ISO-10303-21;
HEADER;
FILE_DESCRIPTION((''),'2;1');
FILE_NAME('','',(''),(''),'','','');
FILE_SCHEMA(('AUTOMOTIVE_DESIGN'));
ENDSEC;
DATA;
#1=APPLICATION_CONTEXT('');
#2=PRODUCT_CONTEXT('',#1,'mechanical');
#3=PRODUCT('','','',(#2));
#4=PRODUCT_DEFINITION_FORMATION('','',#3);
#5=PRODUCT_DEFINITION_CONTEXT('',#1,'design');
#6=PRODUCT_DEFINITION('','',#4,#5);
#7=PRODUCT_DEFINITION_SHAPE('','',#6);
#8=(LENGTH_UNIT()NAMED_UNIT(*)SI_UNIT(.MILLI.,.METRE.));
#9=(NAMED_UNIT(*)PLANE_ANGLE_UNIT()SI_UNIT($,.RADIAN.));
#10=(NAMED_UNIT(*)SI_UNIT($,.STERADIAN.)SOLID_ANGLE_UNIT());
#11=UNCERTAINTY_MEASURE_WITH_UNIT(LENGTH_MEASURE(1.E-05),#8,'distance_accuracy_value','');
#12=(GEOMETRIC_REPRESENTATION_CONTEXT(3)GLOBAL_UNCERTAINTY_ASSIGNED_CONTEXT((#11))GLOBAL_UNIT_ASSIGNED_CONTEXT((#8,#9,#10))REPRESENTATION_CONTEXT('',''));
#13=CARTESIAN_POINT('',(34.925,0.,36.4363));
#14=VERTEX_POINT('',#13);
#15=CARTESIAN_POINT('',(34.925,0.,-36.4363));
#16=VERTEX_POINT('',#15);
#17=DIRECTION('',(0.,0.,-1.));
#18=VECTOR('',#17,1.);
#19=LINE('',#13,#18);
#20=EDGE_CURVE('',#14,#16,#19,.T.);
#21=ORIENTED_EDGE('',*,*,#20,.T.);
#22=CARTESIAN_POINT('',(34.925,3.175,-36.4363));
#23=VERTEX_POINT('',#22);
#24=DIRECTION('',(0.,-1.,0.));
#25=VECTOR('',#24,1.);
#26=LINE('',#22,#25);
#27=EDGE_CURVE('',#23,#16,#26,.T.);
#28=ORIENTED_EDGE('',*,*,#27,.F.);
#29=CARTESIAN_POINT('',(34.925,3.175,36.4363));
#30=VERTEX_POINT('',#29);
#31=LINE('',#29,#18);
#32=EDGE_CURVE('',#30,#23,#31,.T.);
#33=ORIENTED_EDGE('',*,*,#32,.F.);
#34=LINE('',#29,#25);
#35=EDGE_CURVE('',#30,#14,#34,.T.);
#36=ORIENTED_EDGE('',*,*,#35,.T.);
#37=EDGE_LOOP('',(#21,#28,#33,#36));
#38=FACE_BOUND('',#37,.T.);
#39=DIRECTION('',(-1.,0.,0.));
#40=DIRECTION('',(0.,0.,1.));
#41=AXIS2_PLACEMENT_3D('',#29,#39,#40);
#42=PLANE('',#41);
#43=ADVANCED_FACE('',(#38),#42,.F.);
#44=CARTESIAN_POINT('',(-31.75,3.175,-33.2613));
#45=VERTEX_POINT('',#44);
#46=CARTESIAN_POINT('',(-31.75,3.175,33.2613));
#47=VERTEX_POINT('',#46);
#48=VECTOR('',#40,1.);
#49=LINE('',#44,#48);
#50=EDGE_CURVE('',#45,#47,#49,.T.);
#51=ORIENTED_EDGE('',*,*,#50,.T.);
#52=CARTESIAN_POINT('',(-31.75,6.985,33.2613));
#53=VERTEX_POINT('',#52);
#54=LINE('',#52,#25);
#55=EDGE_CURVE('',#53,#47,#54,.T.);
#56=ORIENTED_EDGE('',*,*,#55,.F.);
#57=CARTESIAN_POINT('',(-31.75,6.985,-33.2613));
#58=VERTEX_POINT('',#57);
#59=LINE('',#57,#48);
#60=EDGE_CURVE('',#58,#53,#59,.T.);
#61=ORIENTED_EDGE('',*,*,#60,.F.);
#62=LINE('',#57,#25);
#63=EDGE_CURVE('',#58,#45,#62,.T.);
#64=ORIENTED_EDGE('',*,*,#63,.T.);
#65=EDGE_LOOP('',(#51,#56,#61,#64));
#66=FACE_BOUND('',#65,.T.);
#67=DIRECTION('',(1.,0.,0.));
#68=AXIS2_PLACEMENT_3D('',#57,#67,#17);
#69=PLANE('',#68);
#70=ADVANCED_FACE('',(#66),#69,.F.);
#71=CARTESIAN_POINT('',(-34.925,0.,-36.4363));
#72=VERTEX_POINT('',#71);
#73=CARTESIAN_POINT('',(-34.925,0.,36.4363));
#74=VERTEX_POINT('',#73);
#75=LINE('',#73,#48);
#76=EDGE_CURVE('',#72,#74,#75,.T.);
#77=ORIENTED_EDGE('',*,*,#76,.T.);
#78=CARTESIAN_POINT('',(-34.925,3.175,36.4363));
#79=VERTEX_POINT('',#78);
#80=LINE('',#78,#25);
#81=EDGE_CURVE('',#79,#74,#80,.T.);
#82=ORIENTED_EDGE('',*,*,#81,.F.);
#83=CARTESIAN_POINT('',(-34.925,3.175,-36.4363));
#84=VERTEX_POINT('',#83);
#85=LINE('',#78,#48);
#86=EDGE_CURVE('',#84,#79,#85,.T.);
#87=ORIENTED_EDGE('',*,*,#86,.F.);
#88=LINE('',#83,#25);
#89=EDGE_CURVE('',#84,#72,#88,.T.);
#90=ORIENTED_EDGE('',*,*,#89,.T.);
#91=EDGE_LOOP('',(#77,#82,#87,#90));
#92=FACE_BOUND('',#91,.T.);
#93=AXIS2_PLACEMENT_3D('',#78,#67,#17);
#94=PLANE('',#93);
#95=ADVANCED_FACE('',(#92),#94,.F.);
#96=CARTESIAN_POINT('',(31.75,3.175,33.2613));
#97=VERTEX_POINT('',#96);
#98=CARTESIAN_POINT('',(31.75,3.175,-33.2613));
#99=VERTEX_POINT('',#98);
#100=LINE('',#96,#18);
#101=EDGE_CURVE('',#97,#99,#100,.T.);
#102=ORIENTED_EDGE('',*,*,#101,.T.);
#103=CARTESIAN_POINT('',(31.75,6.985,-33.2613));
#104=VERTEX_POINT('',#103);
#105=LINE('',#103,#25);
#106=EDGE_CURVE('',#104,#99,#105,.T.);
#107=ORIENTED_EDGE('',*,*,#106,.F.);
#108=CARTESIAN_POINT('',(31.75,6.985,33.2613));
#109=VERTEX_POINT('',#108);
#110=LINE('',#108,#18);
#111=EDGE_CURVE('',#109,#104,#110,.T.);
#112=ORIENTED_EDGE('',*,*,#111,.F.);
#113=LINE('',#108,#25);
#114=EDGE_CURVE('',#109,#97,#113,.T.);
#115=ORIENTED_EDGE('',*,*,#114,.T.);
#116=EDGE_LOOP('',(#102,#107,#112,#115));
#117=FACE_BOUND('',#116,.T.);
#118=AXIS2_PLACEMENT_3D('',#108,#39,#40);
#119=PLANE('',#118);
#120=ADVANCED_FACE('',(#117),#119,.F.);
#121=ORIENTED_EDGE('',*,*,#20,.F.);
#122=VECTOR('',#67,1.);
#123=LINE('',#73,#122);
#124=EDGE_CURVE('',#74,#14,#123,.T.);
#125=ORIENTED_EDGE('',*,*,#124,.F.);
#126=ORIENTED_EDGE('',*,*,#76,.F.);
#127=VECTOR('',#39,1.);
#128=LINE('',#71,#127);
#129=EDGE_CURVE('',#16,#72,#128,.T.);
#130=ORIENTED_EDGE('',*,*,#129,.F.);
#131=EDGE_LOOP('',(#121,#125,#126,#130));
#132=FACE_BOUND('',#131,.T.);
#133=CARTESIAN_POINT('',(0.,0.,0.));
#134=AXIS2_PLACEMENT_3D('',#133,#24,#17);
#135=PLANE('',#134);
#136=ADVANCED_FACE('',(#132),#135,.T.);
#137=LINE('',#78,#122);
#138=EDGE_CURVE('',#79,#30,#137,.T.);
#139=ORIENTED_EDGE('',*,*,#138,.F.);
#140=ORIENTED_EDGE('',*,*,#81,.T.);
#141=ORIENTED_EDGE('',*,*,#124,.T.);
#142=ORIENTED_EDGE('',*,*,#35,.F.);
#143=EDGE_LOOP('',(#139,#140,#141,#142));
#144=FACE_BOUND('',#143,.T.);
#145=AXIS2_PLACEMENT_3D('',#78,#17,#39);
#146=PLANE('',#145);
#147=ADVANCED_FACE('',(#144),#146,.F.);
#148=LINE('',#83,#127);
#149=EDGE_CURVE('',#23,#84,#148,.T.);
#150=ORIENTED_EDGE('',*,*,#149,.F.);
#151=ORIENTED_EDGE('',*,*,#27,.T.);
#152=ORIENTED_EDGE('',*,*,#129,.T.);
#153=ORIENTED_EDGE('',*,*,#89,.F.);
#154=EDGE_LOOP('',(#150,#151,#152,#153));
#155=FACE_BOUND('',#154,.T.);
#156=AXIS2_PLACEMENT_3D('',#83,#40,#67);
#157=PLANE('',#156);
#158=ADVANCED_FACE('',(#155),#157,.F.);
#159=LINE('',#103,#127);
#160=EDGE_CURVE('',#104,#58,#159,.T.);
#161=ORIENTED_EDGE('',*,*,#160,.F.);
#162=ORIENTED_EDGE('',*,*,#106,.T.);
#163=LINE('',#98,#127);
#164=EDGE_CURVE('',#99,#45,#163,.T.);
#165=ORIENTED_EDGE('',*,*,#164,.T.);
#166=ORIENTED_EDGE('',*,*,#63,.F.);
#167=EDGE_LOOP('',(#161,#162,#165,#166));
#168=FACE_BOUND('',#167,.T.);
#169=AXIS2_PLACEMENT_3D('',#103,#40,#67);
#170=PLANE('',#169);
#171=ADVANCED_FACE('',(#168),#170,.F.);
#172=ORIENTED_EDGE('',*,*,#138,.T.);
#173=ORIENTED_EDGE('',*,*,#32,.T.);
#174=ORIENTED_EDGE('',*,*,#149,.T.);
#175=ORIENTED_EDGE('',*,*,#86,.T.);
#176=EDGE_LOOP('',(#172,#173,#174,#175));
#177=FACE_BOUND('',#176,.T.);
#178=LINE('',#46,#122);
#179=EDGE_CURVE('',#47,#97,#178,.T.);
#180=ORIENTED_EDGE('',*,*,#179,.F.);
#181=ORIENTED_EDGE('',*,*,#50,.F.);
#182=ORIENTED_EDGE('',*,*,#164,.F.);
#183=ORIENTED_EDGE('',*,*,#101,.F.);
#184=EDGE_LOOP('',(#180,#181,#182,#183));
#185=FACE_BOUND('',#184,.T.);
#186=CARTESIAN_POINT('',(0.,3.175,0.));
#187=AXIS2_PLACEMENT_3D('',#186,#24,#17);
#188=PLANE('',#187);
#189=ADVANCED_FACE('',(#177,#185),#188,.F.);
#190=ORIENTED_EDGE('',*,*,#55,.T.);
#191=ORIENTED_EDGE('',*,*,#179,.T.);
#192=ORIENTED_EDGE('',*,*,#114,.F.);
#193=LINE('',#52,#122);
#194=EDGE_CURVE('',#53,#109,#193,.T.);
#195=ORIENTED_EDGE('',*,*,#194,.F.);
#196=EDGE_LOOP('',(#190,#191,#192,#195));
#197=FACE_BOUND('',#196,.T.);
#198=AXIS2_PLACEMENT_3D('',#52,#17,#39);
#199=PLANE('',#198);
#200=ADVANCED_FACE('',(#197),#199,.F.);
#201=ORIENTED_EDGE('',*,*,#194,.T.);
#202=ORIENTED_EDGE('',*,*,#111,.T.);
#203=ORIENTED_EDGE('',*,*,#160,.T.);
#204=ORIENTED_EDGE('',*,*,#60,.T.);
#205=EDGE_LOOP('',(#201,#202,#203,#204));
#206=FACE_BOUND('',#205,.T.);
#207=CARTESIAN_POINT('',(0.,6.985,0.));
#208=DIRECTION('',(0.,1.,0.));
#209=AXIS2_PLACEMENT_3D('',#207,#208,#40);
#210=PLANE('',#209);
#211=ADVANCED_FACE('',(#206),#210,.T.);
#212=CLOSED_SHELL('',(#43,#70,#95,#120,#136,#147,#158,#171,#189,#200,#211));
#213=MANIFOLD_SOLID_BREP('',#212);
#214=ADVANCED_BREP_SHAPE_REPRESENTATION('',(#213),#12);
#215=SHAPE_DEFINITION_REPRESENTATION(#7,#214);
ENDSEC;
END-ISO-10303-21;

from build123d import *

# Parameters (mm, degrees)
SKETCH1_W           = 69.85
SKETCH1_H           = 72.8726
BOSS_EXTRUDE1_DEPTH = 3.175
SKETCH2_W           = 63.5
SKETCH2_H           = 66.5226
BOSS_EXTRUDE2_DEPTH = 3.81


with BuildPart() as part:
    # Sketch1 → Boss-Extrude1 (new body)
    with BuildSketch(Plane(origin=(0, 0, 0), x_dir=(1, 0, 0), z_dir=(0, 1, 0))):
        Rectangle(SKETCH1_W, SKETCH1_H)
    extrude(amount=BOSS_EXTRUDE1_DEPTH)

    # Sketch2 → Boss-Extrude2 (add)
    with BuildSketch(Plane(origin=(0, 3.175, 0), x_dir=(1, 0, 0), z_dir=(0, 1, 0))):
        Rectangle(SKETCH2_W, SKETCH2_H)
    extrude(amount=BOSS_EXTRUDE2_DEPTH)


solid = part.part
